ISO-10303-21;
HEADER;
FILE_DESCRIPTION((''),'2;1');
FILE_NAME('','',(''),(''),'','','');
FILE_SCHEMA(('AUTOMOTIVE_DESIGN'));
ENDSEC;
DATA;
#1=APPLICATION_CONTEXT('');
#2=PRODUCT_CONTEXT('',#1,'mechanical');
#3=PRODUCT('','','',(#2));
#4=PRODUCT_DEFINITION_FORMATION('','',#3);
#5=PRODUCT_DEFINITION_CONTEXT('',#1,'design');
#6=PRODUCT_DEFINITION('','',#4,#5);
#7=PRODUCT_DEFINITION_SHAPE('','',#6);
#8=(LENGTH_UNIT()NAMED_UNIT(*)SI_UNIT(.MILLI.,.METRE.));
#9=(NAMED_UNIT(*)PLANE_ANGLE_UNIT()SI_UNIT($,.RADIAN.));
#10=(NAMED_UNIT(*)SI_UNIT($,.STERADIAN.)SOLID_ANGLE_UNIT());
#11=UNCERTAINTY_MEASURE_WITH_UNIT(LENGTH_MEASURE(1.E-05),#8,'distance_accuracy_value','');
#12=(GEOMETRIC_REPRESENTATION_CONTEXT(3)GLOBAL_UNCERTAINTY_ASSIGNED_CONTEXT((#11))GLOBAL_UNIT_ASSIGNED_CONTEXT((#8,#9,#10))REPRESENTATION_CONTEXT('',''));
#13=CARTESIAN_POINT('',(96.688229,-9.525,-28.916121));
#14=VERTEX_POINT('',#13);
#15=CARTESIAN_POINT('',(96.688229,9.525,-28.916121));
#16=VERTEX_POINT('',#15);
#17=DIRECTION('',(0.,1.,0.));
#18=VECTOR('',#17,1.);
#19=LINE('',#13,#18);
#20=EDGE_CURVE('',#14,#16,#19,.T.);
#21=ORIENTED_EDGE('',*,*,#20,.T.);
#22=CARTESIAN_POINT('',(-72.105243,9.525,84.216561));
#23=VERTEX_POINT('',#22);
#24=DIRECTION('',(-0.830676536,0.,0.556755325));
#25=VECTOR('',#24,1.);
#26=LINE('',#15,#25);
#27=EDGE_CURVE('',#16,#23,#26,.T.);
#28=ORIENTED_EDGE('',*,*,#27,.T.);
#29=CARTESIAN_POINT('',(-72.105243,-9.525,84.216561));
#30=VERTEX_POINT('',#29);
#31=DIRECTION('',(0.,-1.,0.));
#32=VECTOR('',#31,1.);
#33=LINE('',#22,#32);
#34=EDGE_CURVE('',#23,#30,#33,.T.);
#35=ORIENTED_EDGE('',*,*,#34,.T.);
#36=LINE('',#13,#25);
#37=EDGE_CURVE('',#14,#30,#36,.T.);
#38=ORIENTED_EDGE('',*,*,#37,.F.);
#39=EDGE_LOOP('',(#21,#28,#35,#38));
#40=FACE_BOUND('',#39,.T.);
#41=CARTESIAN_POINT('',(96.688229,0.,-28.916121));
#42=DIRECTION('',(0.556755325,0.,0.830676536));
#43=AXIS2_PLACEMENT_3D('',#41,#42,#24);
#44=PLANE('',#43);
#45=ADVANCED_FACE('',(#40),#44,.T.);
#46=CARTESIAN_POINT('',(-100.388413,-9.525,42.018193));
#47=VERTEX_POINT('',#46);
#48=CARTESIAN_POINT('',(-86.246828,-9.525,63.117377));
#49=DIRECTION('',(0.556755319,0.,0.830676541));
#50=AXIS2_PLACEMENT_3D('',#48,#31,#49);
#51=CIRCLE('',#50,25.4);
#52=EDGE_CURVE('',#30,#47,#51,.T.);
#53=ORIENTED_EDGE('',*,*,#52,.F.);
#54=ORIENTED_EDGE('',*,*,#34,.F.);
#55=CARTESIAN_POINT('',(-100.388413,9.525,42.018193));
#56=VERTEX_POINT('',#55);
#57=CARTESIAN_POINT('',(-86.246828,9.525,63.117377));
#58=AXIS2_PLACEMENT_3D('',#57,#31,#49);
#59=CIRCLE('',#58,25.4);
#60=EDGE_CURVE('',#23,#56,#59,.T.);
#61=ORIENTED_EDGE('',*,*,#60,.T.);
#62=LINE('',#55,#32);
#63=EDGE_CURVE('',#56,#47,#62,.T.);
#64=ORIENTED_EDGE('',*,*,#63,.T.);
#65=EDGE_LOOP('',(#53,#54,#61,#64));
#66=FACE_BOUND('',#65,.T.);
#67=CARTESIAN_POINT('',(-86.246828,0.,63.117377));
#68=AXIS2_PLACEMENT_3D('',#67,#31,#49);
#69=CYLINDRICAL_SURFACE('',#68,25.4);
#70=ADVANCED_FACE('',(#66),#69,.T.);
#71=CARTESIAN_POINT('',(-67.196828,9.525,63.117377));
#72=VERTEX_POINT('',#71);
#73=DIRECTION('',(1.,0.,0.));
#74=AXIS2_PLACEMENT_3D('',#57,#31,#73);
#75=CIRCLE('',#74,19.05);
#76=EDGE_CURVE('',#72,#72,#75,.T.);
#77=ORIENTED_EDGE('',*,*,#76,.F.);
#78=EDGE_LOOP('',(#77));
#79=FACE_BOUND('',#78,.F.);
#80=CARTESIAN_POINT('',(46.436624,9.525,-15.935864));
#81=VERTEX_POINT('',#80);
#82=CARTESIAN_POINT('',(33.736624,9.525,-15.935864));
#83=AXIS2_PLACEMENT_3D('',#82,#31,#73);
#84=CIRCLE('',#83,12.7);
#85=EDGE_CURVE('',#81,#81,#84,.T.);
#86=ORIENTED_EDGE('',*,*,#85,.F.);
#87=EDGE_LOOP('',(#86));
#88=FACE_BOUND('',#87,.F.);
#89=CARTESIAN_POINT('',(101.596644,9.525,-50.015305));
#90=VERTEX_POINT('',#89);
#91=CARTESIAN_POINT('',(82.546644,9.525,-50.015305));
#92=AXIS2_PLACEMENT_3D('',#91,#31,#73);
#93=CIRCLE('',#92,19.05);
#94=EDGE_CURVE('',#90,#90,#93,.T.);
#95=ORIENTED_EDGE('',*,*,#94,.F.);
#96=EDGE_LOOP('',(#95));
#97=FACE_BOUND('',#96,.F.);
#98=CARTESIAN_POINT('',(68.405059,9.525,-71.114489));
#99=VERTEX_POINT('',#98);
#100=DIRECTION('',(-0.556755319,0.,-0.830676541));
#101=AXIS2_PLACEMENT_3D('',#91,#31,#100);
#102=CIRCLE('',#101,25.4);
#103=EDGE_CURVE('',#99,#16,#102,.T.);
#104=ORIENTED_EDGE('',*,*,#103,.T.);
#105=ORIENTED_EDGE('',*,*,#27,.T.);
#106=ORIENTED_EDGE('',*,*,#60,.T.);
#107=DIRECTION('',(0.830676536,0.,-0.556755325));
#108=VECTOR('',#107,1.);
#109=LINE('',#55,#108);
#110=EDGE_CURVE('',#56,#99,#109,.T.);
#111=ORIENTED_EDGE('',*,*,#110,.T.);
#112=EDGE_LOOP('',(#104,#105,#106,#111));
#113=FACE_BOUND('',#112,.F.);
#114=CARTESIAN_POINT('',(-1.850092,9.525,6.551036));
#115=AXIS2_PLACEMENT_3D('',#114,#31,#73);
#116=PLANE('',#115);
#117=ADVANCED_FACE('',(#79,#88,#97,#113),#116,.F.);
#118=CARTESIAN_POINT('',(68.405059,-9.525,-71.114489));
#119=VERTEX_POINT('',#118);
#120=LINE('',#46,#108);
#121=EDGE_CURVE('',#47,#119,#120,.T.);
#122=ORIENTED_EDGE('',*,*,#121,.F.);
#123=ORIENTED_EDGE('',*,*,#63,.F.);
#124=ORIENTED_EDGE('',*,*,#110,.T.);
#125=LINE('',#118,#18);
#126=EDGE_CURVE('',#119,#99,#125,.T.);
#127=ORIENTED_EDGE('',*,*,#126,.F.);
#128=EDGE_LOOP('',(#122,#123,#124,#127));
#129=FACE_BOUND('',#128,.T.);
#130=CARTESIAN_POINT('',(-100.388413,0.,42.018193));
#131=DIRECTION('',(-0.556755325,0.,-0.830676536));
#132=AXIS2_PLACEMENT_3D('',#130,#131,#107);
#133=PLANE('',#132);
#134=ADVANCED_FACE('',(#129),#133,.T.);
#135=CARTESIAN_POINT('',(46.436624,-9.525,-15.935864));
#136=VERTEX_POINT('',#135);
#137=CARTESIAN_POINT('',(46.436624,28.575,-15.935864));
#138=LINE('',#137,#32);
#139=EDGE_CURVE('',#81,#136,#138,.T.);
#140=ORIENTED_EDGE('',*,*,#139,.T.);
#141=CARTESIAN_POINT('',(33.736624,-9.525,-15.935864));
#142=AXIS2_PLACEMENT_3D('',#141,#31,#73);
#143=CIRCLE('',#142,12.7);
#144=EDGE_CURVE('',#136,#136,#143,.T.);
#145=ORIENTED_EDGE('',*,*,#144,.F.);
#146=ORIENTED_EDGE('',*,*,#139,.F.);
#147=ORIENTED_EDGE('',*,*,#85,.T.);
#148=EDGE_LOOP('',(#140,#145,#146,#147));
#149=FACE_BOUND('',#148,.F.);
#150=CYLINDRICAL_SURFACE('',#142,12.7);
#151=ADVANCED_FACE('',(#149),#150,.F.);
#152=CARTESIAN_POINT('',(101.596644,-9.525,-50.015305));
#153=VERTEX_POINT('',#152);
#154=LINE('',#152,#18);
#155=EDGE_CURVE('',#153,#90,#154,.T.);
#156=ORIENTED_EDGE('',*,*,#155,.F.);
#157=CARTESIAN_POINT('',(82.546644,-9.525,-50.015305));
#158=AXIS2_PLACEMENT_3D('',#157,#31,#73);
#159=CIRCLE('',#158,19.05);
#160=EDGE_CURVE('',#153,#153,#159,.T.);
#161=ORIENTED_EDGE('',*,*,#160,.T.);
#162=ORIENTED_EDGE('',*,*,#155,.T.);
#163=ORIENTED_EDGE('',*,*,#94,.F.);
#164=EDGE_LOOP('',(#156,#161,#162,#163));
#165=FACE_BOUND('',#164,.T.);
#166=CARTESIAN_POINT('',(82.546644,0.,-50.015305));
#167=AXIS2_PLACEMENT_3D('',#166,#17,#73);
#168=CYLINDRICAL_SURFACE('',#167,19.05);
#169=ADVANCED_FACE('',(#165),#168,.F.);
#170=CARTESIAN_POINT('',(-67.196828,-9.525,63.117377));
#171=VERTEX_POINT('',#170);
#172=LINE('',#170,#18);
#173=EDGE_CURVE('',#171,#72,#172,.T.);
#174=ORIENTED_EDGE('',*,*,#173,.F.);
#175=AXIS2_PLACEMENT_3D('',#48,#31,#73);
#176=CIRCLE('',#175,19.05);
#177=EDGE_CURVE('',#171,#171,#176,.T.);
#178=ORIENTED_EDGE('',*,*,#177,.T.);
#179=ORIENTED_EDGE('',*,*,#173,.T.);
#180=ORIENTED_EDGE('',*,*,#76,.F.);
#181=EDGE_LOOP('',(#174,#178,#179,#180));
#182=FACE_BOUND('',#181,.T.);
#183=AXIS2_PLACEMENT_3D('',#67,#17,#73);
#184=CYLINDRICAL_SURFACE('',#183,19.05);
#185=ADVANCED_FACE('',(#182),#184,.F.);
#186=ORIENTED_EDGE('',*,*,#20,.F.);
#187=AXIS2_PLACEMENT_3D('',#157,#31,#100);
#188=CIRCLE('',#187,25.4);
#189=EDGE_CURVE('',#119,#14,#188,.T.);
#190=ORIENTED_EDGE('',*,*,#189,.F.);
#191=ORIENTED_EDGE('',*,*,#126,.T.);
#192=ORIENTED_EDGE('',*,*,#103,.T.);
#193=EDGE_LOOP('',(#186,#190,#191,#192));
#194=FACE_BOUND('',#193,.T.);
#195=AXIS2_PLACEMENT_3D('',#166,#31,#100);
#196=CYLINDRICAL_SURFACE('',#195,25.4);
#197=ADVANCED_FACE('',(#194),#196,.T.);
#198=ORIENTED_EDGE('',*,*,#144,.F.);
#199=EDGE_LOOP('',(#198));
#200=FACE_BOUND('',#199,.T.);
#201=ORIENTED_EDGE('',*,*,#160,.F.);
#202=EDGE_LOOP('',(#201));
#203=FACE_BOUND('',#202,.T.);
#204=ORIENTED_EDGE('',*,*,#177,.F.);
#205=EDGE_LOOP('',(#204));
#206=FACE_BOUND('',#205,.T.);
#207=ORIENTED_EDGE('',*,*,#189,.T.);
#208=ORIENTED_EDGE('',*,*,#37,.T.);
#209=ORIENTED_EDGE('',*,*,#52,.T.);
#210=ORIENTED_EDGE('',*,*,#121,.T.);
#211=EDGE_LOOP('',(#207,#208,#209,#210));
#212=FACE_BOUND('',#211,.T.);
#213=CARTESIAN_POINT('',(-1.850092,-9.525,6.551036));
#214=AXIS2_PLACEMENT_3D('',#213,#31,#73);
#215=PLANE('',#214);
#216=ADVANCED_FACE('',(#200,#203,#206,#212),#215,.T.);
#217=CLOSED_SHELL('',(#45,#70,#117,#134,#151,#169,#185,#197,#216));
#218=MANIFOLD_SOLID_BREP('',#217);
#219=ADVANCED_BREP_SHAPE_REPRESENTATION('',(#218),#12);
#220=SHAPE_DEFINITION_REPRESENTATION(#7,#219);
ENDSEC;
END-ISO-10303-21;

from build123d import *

# Parameters (mm, degrees)
F0_R     = 19.05
F1_DEPTH = 9.525
F2_R     = 12.7
F3_DEPTH = 38.1


with BuildPart() as f1:
    # F0 (on Front) → F1 (new body, symmetric)
    with BuildSketch(Plane.XZ):
        with BuildLine():
            Line((96.688229, -28.916121), (-72.105243, 84.216561))
            ThreePointArc((-72.105243, 84.216561), (-107.346012, 77.258962), (-100.388413, 42.018193))
            Line((-100.388413, 42.018193), (68.405059, -71.114489))
            ThreePointArc((68.405059, -71.114489), (103.645828, -64.15689), (96.688229, -28.916121))
        make_face()
        with Locations((82.546644, -50.015305)):
            Circle(F0_R, mode=Mode.SUBTRACT)
        with Locations((-86.246828, 63.117377)):
            Circle(F0_R, mode=Mode.SUBTRACT)
    extrude(amount=F1_DEPTH, both=True)

    # F2 (on face) → F3 (cut, symmetric)
    with BuildSketch(Plane.XZ.offset(9.525)):
        with Locations((33.736624, -15.935864)):
            Circle(F2_R)
    extrude(amount=F3_DEPTH, both=True, mode=Mode.SUBTRACT)


solid = f1.part
